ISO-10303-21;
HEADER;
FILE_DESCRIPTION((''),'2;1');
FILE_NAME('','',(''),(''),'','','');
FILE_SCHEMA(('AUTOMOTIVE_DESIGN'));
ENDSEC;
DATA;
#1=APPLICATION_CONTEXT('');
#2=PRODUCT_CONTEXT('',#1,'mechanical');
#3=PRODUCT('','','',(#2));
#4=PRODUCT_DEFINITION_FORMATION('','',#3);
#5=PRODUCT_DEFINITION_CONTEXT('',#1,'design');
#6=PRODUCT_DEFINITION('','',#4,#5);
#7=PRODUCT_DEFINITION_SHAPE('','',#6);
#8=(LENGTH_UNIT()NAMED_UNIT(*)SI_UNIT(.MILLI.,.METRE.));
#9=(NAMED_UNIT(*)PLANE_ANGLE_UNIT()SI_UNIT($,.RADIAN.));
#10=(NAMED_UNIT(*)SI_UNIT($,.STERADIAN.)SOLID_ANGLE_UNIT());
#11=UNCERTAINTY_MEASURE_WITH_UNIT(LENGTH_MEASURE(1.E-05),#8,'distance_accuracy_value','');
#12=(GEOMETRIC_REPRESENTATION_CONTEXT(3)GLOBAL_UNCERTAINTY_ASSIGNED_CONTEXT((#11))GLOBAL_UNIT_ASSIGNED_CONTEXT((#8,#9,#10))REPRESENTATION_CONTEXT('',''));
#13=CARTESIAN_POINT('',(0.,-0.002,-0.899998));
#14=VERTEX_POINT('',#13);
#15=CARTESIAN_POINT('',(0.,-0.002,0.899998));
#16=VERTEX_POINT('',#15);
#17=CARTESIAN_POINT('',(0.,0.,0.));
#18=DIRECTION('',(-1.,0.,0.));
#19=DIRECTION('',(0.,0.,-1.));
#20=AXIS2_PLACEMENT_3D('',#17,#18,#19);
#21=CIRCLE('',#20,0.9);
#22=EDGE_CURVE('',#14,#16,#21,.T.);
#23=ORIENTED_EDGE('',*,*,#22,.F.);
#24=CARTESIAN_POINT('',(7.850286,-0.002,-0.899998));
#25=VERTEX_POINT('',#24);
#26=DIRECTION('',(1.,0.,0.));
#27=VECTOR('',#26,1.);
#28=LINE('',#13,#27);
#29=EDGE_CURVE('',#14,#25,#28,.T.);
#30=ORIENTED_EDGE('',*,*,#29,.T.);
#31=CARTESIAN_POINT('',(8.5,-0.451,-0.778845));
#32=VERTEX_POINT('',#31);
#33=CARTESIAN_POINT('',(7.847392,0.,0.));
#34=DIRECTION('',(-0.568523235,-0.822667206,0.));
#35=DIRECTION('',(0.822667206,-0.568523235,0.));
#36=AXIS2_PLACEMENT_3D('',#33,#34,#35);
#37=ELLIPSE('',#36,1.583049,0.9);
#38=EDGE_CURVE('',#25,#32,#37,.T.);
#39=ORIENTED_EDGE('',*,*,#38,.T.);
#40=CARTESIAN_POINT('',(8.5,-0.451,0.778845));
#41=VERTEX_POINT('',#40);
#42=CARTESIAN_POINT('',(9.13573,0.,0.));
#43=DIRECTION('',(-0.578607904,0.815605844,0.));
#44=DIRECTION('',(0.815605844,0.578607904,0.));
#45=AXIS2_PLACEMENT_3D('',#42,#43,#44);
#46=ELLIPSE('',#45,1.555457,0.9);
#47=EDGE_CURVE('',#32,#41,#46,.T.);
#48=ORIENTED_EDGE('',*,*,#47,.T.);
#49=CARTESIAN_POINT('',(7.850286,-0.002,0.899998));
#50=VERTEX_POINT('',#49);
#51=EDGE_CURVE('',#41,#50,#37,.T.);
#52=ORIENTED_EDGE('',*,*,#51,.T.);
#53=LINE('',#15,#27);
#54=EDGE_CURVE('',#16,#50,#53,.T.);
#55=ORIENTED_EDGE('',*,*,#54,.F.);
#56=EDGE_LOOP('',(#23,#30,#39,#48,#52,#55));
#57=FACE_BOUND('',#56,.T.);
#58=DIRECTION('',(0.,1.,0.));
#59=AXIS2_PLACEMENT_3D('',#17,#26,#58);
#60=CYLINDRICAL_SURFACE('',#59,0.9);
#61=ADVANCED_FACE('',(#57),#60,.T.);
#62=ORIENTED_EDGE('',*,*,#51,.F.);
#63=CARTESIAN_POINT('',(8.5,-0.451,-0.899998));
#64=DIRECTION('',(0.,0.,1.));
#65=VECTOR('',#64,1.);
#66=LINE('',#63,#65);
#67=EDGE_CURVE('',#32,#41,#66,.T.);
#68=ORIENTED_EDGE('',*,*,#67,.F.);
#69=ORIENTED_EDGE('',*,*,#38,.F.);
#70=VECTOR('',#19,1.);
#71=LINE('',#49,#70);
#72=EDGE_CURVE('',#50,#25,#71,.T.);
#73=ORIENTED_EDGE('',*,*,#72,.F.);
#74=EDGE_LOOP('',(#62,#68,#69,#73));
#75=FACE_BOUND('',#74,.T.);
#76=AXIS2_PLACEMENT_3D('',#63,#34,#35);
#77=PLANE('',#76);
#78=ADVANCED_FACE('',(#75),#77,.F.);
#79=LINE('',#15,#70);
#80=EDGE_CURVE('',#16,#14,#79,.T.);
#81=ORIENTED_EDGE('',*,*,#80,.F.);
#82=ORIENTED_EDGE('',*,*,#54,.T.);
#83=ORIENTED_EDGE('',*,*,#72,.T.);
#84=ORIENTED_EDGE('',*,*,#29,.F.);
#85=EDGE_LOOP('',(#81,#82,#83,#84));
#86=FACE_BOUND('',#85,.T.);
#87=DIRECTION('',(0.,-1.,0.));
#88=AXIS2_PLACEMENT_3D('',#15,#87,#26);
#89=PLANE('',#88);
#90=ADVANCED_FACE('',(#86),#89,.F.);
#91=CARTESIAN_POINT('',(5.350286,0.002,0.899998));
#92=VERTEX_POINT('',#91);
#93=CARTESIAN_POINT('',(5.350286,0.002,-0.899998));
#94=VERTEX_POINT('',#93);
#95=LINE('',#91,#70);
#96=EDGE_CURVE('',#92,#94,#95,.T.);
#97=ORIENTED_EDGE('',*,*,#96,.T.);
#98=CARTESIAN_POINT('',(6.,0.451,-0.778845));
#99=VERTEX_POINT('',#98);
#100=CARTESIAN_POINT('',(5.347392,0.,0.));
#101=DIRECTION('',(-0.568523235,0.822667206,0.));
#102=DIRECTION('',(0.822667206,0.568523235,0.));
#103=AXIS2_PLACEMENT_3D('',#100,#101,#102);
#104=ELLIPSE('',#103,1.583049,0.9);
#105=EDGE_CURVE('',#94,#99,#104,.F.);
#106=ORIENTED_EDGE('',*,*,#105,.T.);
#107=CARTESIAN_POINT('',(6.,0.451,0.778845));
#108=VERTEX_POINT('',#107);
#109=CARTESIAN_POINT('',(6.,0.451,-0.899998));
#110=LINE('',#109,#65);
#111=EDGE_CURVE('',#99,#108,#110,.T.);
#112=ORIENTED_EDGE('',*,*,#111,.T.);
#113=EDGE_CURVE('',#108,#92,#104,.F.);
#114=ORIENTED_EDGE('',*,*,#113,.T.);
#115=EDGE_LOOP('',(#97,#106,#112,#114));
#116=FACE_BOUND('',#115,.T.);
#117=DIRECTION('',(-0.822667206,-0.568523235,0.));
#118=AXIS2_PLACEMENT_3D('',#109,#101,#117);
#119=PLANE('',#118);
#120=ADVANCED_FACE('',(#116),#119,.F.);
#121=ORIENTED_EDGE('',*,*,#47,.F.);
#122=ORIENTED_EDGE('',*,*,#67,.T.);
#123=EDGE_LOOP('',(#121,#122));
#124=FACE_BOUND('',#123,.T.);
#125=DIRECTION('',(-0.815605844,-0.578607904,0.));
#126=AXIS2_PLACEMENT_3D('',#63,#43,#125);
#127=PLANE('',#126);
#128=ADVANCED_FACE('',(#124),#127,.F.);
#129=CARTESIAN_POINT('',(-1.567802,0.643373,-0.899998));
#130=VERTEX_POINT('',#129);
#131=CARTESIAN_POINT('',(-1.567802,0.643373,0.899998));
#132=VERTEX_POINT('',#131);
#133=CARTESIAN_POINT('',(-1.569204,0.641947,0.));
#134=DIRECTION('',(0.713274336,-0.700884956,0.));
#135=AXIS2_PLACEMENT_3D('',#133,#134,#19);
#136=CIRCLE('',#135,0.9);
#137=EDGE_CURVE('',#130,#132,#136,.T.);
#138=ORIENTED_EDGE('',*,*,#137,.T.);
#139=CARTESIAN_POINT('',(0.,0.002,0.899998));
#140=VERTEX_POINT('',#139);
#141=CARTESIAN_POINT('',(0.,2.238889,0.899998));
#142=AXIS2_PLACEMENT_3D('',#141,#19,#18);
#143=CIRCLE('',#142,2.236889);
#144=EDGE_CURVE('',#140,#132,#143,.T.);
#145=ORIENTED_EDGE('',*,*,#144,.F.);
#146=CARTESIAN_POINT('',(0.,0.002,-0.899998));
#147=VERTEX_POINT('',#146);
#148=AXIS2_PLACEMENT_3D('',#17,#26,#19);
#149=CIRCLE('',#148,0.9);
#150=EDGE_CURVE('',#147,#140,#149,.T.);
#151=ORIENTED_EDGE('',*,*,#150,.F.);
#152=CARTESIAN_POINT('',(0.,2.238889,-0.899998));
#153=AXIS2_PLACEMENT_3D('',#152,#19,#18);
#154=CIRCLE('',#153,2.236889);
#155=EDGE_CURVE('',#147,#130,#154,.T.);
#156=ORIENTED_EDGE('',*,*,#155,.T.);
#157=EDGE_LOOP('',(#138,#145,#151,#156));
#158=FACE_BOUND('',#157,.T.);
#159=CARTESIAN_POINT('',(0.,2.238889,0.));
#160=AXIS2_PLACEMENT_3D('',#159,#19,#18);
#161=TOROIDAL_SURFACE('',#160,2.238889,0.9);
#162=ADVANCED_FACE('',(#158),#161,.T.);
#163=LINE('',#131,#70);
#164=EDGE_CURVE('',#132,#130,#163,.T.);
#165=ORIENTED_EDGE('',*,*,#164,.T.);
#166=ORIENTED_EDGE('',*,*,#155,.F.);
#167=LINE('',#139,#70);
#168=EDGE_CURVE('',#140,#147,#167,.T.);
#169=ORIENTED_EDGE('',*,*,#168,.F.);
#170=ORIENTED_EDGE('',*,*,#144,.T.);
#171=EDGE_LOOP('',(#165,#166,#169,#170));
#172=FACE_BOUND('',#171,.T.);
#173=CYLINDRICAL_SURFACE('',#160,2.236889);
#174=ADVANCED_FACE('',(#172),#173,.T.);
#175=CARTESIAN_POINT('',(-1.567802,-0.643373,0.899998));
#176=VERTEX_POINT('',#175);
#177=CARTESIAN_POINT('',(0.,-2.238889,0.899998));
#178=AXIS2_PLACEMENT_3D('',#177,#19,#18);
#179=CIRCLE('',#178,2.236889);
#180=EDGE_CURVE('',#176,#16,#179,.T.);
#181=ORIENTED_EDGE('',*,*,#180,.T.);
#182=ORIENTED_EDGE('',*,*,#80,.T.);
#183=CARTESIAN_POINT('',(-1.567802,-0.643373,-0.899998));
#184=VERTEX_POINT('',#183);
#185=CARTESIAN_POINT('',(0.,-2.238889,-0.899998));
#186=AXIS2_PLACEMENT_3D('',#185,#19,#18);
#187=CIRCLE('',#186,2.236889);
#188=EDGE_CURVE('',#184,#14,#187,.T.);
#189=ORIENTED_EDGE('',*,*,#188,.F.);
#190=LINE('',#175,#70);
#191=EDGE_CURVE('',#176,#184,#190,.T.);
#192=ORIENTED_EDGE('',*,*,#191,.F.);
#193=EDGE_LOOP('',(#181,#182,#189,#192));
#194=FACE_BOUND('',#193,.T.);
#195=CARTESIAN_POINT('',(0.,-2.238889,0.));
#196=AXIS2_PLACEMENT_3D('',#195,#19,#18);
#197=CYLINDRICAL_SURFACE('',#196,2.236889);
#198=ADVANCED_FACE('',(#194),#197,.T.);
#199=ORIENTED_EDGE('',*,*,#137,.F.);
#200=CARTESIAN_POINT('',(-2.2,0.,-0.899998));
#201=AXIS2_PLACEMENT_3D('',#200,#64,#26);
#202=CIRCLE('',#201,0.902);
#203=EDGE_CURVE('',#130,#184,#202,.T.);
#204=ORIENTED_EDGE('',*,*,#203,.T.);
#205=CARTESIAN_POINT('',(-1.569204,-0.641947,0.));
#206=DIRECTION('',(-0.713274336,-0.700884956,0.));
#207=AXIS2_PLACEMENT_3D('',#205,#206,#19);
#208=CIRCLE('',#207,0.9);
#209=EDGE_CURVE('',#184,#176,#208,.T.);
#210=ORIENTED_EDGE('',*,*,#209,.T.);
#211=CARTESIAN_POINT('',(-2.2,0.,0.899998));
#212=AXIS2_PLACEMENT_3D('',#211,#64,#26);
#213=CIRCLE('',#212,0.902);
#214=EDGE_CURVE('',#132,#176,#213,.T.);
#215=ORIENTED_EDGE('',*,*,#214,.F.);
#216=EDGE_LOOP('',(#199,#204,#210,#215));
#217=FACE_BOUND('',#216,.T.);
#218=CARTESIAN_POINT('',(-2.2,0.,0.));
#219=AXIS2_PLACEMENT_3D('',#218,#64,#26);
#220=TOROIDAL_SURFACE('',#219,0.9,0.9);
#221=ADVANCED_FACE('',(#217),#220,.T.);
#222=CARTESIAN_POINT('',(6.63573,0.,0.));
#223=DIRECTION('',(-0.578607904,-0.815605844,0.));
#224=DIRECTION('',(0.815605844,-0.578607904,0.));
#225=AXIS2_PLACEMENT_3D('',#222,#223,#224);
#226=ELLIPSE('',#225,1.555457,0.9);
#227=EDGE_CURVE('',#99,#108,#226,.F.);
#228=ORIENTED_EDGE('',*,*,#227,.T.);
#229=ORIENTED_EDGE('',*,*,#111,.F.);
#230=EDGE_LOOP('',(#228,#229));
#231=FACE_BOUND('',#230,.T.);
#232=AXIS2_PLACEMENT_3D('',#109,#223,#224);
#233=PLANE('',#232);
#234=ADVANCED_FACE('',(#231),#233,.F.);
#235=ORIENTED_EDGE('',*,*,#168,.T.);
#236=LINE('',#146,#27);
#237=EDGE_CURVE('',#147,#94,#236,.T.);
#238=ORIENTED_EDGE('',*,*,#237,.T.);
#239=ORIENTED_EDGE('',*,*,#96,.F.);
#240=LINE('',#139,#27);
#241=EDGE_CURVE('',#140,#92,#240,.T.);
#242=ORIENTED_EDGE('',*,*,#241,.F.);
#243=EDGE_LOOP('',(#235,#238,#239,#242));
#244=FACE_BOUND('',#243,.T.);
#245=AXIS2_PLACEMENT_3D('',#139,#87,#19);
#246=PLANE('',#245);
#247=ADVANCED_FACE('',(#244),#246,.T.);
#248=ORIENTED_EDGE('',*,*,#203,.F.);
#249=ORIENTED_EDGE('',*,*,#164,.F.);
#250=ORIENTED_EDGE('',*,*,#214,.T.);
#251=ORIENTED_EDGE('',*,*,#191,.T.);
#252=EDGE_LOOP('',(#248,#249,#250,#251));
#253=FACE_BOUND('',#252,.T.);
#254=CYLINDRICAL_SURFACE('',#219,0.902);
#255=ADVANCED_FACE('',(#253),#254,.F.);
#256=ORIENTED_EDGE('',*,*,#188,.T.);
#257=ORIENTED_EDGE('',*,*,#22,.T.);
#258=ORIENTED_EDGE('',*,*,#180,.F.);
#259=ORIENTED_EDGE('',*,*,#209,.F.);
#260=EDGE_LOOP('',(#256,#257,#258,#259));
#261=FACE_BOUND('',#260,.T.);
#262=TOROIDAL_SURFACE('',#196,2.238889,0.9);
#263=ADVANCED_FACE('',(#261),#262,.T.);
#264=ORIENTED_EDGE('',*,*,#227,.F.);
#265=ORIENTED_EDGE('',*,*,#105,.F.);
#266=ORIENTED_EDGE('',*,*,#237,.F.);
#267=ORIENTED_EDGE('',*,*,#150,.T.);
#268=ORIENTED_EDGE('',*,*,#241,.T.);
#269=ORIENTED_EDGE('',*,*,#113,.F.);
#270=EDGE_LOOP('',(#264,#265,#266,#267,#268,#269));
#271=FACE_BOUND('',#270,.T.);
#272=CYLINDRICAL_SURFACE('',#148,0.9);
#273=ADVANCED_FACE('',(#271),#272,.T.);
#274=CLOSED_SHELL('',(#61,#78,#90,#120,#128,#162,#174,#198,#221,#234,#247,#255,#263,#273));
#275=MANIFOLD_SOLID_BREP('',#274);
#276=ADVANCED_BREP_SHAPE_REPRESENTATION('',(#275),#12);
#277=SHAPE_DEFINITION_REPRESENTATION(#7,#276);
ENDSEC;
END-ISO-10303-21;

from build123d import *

# Parameters (mm, degrees)
CONECUT_DEPTH      = 9.734986923
CONECUT_DEPTH_BACK = 9.734986923


with BuildPart() as part:
    # Body: sweep along a path in PathSke
    with BuildLine(Plane.XY) as body_path:
        Line((6, 0.9), (0, 0.9))
        ThreePointArc((0, 0.9), (-0.50694731, 0.999684353), (-0.93840708, 1.283893805))
        ThreePointArc((-0.93840708, 1.283893805), (-4, 0), (-0.93840708, -1.283893805))
        ThreePointArc((-0.93840708, -1.283893805), (-0.50694731, -0.999684353), (0, -0.9))
        Line((0, -0.9), (8.5, -0.9))
    # SectionSke → Body (sweep)
    with BuildSketch(Plane(origin=(6, 0, 0), x_dir=(0, 0, -1), z_dir=(1, 0, 0))):
        with BuildLine():
            Line((-0.899997778, 0.002), (0.899997778, 0.002))
            ThreePointArc((0.899997778, 0.002), (0, 0.9), (-0.899997778, 0.002))
        make_face()
    sweep(path=body_path.line)

    # ConeCutSke → ConeCut (cut, two sides: drawn at the far end of the back side and taken through both)
    with BuildSketch(Plane.XY.offset(-CONECUT_DEPTH_BACK)):
        Polygon((6, 0.451), (5.352993487, 0.91), (8.51, 0.91), (8.51, -0.91), (7.852993487, -0.91), (8.5, -0.451), (7.847391827, 0), (5.347391827, 0), align=None)
    extrude(amount=CONECUT_DEPTH + CONECUT_DEPTH_BACK, mode=Mode.SUBTRACT)


solid = part.part
